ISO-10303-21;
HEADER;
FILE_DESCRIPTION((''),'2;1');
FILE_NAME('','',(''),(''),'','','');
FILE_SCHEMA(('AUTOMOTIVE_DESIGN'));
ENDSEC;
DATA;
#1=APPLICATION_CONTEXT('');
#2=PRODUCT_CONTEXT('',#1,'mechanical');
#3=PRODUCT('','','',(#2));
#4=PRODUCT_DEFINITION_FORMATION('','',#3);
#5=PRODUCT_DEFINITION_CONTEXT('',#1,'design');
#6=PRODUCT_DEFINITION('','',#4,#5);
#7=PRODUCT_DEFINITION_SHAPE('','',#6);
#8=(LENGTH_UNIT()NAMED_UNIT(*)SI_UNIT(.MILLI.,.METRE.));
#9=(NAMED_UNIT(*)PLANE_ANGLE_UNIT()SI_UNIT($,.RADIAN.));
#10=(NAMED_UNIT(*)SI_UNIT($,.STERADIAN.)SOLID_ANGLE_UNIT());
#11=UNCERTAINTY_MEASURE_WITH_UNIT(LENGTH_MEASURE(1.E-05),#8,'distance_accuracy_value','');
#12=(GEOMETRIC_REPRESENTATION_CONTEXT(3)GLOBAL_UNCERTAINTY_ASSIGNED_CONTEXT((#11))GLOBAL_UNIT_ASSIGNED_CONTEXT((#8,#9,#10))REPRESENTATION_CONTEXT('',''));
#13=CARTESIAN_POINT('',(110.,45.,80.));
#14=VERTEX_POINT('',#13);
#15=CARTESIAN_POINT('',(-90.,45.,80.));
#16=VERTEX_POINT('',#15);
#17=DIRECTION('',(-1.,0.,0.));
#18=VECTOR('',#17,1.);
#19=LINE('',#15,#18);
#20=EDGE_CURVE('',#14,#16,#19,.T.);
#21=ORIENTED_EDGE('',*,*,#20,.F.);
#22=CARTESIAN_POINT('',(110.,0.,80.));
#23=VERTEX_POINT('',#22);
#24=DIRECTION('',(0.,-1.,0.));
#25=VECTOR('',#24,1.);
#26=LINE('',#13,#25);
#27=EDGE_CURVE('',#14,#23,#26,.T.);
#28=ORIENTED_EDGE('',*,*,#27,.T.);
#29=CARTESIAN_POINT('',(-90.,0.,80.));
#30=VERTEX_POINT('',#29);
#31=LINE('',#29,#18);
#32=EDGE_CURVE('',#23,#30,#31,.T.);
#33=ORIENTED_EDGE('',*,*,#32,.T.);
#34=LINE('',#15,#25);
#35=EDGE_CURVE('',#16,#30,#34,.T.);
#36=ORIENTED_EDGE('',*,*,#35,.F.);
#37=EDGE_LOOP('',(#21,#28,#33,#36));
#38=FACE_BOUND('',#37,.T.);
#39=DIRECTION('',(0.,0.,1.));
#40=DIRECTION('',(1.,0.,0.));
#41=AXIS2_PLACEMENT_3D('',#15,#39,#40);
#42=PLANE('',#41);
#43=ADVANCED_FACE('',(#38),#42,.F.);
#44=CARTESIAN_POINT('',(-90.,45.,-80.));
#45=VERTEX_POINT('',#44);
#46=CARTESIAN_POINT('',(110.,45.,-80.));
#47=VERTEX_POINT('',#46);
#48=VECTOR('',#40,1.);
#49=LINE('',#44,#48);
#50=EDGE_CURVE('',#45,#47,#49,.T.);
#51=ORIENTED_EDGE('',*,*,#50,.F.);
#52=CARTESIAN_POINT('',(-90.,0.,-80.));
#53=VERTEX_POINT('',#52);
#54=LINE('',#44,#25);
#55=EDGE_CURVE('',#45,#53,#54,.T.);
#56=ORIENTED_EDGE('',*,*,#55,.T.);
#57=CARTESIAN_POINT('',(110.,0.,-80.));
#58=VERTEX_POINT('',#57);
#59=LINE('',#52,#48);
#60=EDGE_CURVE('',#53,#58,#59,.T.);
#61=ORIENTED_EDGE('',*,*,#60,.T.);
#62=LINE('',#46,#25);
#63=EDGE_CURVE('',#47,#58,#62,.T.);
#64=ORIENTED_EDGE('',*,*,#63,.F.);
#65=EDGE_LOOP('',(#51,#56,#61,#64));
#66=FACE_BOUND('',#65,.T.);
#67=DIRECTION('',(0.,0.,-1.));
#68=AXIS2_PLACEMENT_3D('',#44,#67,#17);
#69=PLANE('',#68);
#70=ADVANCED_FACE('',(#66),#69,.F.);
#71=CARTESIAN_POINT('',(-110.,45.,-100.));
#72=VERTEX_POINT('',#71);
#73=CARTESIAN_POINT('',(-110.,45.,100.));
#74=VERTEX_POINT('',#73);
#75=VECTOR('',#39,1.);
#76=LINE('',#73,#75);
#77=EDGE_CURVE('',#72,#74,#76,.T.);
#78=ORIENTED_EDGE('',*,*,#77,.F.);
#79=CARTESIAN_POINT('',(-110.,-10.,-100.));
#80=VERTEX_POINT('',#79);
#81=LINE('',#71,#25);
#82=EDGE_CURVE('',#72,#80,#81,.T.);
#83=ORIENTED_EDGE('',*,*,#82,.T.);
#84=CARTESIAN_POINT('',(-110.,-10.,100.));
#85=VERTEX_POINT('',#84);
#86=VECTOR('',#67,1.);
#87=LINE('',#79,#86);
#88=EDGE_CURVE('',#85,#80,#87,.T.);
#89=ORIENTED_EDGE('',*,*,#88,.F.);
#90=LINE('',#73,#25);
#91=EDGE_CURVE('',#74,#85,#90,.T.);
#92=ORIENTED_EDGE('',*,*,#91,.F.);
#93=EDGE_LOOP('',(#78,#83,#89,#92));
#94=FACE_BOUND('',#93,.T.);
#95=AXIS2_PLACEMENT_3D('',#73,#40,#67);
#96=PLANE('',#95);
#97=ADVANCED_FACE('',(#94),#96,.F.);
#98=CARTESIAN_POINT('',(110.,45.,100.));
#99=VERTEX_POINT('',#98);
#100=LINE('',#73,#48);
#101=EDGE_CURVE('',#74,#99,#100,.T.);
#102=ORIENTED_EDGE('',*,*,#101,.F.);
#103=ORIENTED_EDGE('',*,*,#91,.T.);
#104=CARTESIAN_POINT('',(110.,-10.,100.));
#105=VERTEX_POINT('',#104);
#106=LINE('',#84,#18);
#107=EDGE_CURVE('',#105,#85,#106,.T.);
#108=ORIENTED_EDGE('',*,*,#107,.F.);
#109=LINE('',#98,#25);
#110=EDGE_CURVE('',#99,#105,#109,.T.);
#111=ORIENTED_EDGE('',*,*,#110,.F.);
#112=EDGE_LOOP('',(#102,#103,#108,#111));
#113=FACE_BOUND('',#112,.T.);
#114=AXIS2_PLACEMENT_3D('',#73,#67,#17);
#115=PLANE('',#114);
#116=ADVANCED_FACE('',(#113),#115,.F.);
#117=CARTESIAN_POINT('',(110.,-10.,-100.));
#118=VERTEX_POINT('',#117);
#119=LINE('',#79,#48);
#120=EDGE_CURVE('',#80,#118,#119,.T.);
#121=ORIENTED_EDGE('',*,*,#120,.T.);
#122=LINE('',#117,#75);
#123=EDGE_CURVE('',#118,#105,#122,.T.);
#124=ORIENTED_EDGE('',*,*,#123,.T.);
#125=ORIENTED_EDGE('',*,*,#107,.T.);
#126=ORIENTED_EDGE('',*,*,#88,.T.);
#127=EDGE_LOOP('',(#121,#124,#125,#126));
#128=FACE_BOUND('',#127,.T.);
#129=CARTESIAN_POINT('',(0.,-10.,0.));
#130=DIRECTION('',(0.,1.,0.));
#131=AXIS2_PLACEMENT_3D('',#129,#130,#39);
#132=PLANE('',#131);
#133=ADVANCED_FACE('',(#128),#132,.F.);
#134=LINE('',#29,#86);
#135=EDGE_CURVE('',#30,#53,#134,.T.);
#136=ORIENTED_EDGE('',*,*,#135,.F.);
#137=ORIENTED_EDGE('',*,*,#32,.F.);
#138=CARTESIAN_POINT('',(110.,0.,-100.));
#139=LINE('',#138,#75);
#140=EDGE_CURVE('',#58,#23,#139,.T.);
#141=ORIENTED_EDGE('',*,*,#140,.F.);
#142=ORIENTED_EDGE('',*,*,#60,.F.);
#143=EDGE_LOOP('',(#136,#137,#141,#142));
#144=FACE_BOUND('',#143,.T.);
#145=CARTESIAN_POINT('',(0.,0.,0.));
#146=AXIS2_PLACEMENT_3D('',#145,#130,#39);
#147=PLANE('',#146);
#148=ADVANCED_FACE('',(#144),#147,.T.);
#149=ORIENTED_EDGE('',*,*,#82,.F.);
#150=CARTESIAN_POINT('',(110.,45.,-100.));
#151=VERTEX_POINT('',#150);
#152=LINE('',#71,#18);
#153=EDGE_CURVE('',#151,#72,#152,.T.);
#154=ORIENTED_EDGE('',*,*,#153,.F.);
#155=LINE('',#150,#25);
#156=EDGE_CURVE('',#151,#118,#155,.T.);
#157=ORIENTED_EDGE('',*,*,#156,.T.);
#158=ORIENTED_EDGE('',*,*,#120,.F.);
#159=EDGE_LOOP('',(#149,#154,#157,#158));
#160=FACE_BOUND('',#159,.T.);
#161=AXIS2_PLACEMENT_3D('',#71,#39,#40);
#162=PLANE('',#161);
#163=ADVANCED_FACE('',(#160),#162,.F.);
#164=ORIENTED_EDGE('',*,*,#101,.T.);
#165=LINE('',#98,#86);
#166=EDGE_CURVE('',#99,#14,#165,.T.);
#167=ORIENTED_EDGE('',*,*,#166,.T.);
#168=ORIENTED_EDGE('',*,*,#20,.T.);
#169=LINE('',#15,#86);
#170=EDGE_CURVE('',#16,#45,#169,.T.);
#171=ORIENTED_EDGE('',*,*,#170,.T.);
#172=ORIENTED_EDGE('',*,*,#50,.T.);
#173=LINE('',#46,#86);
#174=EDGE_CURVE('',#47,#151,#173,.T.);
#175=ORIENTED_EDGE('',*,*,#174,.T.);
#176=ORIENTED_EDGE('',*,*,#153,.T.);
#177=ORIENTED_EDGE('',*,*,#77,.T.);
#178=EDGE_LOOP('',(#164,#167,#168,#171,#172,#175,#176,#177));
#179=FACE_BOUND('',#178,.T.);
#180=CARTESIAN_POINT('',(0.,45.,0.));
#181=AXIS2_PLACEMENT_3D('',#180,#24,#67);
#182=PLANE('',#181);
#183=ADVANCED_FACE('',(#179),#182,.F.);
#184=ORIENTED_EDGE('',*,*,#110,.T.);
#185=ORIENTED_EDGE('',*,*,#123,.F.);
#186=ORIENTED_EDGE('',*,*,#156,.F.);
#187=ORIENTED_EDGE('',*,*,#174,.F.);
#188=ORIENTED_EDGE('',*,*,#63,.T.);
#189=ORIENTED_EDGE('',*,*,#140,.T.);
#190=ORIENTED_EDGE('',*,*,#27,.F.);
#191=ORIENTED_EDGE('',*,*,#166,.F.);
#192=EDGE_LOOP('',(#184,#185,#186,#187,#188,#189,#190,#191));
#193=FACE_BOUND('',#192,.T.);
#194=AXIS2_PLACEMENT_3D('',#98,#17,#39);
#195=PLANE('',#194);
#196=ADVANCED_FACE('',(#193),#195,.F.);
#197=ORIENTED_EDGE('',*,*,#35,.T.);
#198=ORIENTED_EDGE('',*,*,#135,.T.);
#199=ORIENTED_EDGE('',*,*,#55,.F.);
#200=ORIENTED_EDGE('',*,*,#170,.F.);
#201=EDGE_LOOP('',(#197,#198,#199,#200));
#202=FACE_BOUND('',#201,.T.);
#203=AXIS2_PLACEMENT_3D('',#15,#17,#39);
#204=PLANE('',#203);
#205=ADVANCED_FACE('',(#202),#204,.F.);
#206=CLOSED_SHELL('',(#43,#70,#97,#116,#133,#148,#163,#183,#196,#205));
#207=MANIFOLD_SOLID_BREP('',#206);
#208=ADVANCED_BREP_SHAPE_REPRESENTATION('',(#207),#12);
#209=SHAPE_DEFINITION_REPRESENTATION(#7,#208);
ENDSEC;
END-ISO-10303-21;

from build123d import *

# Parameters (mm, degrees)
BOSS_EXTRUDE1_DEPTH = 45
SKETCH2_W           = 220
SKETCH2_H           = 200
BOSS_EXTRUDE2_DEPTH = 10


with BuildPart() as part:
    # Sketch1 → Boss-Extrude1 (new body)
    with BuildSketch(Plane(origin=(0, 0, 0), x_dir=(1, 0, 0), z_dir=(0, 1, 0))):
        Polygon((-110, -100), (-110, 100), (110, 100), (110, 80), (-90, 80), (-90, -80), (110, -80), (110, -100), align=None)
    extrude(amount=BOSS_EXTRUDE1_DEPTH)

    # Sketch2 → Boss-Extrude2 (add)
    with BuildSketch(Plane(origin=(0, 0, 0), x_dir=(-1, 0, 0), z_dir=(0, -1, 0))):
        Rectangle(SKETCH2_W, SKETCH2_H)
    extrude(amount=BOSS_EXTRUDE2_DEPTH)


solid = part.part
